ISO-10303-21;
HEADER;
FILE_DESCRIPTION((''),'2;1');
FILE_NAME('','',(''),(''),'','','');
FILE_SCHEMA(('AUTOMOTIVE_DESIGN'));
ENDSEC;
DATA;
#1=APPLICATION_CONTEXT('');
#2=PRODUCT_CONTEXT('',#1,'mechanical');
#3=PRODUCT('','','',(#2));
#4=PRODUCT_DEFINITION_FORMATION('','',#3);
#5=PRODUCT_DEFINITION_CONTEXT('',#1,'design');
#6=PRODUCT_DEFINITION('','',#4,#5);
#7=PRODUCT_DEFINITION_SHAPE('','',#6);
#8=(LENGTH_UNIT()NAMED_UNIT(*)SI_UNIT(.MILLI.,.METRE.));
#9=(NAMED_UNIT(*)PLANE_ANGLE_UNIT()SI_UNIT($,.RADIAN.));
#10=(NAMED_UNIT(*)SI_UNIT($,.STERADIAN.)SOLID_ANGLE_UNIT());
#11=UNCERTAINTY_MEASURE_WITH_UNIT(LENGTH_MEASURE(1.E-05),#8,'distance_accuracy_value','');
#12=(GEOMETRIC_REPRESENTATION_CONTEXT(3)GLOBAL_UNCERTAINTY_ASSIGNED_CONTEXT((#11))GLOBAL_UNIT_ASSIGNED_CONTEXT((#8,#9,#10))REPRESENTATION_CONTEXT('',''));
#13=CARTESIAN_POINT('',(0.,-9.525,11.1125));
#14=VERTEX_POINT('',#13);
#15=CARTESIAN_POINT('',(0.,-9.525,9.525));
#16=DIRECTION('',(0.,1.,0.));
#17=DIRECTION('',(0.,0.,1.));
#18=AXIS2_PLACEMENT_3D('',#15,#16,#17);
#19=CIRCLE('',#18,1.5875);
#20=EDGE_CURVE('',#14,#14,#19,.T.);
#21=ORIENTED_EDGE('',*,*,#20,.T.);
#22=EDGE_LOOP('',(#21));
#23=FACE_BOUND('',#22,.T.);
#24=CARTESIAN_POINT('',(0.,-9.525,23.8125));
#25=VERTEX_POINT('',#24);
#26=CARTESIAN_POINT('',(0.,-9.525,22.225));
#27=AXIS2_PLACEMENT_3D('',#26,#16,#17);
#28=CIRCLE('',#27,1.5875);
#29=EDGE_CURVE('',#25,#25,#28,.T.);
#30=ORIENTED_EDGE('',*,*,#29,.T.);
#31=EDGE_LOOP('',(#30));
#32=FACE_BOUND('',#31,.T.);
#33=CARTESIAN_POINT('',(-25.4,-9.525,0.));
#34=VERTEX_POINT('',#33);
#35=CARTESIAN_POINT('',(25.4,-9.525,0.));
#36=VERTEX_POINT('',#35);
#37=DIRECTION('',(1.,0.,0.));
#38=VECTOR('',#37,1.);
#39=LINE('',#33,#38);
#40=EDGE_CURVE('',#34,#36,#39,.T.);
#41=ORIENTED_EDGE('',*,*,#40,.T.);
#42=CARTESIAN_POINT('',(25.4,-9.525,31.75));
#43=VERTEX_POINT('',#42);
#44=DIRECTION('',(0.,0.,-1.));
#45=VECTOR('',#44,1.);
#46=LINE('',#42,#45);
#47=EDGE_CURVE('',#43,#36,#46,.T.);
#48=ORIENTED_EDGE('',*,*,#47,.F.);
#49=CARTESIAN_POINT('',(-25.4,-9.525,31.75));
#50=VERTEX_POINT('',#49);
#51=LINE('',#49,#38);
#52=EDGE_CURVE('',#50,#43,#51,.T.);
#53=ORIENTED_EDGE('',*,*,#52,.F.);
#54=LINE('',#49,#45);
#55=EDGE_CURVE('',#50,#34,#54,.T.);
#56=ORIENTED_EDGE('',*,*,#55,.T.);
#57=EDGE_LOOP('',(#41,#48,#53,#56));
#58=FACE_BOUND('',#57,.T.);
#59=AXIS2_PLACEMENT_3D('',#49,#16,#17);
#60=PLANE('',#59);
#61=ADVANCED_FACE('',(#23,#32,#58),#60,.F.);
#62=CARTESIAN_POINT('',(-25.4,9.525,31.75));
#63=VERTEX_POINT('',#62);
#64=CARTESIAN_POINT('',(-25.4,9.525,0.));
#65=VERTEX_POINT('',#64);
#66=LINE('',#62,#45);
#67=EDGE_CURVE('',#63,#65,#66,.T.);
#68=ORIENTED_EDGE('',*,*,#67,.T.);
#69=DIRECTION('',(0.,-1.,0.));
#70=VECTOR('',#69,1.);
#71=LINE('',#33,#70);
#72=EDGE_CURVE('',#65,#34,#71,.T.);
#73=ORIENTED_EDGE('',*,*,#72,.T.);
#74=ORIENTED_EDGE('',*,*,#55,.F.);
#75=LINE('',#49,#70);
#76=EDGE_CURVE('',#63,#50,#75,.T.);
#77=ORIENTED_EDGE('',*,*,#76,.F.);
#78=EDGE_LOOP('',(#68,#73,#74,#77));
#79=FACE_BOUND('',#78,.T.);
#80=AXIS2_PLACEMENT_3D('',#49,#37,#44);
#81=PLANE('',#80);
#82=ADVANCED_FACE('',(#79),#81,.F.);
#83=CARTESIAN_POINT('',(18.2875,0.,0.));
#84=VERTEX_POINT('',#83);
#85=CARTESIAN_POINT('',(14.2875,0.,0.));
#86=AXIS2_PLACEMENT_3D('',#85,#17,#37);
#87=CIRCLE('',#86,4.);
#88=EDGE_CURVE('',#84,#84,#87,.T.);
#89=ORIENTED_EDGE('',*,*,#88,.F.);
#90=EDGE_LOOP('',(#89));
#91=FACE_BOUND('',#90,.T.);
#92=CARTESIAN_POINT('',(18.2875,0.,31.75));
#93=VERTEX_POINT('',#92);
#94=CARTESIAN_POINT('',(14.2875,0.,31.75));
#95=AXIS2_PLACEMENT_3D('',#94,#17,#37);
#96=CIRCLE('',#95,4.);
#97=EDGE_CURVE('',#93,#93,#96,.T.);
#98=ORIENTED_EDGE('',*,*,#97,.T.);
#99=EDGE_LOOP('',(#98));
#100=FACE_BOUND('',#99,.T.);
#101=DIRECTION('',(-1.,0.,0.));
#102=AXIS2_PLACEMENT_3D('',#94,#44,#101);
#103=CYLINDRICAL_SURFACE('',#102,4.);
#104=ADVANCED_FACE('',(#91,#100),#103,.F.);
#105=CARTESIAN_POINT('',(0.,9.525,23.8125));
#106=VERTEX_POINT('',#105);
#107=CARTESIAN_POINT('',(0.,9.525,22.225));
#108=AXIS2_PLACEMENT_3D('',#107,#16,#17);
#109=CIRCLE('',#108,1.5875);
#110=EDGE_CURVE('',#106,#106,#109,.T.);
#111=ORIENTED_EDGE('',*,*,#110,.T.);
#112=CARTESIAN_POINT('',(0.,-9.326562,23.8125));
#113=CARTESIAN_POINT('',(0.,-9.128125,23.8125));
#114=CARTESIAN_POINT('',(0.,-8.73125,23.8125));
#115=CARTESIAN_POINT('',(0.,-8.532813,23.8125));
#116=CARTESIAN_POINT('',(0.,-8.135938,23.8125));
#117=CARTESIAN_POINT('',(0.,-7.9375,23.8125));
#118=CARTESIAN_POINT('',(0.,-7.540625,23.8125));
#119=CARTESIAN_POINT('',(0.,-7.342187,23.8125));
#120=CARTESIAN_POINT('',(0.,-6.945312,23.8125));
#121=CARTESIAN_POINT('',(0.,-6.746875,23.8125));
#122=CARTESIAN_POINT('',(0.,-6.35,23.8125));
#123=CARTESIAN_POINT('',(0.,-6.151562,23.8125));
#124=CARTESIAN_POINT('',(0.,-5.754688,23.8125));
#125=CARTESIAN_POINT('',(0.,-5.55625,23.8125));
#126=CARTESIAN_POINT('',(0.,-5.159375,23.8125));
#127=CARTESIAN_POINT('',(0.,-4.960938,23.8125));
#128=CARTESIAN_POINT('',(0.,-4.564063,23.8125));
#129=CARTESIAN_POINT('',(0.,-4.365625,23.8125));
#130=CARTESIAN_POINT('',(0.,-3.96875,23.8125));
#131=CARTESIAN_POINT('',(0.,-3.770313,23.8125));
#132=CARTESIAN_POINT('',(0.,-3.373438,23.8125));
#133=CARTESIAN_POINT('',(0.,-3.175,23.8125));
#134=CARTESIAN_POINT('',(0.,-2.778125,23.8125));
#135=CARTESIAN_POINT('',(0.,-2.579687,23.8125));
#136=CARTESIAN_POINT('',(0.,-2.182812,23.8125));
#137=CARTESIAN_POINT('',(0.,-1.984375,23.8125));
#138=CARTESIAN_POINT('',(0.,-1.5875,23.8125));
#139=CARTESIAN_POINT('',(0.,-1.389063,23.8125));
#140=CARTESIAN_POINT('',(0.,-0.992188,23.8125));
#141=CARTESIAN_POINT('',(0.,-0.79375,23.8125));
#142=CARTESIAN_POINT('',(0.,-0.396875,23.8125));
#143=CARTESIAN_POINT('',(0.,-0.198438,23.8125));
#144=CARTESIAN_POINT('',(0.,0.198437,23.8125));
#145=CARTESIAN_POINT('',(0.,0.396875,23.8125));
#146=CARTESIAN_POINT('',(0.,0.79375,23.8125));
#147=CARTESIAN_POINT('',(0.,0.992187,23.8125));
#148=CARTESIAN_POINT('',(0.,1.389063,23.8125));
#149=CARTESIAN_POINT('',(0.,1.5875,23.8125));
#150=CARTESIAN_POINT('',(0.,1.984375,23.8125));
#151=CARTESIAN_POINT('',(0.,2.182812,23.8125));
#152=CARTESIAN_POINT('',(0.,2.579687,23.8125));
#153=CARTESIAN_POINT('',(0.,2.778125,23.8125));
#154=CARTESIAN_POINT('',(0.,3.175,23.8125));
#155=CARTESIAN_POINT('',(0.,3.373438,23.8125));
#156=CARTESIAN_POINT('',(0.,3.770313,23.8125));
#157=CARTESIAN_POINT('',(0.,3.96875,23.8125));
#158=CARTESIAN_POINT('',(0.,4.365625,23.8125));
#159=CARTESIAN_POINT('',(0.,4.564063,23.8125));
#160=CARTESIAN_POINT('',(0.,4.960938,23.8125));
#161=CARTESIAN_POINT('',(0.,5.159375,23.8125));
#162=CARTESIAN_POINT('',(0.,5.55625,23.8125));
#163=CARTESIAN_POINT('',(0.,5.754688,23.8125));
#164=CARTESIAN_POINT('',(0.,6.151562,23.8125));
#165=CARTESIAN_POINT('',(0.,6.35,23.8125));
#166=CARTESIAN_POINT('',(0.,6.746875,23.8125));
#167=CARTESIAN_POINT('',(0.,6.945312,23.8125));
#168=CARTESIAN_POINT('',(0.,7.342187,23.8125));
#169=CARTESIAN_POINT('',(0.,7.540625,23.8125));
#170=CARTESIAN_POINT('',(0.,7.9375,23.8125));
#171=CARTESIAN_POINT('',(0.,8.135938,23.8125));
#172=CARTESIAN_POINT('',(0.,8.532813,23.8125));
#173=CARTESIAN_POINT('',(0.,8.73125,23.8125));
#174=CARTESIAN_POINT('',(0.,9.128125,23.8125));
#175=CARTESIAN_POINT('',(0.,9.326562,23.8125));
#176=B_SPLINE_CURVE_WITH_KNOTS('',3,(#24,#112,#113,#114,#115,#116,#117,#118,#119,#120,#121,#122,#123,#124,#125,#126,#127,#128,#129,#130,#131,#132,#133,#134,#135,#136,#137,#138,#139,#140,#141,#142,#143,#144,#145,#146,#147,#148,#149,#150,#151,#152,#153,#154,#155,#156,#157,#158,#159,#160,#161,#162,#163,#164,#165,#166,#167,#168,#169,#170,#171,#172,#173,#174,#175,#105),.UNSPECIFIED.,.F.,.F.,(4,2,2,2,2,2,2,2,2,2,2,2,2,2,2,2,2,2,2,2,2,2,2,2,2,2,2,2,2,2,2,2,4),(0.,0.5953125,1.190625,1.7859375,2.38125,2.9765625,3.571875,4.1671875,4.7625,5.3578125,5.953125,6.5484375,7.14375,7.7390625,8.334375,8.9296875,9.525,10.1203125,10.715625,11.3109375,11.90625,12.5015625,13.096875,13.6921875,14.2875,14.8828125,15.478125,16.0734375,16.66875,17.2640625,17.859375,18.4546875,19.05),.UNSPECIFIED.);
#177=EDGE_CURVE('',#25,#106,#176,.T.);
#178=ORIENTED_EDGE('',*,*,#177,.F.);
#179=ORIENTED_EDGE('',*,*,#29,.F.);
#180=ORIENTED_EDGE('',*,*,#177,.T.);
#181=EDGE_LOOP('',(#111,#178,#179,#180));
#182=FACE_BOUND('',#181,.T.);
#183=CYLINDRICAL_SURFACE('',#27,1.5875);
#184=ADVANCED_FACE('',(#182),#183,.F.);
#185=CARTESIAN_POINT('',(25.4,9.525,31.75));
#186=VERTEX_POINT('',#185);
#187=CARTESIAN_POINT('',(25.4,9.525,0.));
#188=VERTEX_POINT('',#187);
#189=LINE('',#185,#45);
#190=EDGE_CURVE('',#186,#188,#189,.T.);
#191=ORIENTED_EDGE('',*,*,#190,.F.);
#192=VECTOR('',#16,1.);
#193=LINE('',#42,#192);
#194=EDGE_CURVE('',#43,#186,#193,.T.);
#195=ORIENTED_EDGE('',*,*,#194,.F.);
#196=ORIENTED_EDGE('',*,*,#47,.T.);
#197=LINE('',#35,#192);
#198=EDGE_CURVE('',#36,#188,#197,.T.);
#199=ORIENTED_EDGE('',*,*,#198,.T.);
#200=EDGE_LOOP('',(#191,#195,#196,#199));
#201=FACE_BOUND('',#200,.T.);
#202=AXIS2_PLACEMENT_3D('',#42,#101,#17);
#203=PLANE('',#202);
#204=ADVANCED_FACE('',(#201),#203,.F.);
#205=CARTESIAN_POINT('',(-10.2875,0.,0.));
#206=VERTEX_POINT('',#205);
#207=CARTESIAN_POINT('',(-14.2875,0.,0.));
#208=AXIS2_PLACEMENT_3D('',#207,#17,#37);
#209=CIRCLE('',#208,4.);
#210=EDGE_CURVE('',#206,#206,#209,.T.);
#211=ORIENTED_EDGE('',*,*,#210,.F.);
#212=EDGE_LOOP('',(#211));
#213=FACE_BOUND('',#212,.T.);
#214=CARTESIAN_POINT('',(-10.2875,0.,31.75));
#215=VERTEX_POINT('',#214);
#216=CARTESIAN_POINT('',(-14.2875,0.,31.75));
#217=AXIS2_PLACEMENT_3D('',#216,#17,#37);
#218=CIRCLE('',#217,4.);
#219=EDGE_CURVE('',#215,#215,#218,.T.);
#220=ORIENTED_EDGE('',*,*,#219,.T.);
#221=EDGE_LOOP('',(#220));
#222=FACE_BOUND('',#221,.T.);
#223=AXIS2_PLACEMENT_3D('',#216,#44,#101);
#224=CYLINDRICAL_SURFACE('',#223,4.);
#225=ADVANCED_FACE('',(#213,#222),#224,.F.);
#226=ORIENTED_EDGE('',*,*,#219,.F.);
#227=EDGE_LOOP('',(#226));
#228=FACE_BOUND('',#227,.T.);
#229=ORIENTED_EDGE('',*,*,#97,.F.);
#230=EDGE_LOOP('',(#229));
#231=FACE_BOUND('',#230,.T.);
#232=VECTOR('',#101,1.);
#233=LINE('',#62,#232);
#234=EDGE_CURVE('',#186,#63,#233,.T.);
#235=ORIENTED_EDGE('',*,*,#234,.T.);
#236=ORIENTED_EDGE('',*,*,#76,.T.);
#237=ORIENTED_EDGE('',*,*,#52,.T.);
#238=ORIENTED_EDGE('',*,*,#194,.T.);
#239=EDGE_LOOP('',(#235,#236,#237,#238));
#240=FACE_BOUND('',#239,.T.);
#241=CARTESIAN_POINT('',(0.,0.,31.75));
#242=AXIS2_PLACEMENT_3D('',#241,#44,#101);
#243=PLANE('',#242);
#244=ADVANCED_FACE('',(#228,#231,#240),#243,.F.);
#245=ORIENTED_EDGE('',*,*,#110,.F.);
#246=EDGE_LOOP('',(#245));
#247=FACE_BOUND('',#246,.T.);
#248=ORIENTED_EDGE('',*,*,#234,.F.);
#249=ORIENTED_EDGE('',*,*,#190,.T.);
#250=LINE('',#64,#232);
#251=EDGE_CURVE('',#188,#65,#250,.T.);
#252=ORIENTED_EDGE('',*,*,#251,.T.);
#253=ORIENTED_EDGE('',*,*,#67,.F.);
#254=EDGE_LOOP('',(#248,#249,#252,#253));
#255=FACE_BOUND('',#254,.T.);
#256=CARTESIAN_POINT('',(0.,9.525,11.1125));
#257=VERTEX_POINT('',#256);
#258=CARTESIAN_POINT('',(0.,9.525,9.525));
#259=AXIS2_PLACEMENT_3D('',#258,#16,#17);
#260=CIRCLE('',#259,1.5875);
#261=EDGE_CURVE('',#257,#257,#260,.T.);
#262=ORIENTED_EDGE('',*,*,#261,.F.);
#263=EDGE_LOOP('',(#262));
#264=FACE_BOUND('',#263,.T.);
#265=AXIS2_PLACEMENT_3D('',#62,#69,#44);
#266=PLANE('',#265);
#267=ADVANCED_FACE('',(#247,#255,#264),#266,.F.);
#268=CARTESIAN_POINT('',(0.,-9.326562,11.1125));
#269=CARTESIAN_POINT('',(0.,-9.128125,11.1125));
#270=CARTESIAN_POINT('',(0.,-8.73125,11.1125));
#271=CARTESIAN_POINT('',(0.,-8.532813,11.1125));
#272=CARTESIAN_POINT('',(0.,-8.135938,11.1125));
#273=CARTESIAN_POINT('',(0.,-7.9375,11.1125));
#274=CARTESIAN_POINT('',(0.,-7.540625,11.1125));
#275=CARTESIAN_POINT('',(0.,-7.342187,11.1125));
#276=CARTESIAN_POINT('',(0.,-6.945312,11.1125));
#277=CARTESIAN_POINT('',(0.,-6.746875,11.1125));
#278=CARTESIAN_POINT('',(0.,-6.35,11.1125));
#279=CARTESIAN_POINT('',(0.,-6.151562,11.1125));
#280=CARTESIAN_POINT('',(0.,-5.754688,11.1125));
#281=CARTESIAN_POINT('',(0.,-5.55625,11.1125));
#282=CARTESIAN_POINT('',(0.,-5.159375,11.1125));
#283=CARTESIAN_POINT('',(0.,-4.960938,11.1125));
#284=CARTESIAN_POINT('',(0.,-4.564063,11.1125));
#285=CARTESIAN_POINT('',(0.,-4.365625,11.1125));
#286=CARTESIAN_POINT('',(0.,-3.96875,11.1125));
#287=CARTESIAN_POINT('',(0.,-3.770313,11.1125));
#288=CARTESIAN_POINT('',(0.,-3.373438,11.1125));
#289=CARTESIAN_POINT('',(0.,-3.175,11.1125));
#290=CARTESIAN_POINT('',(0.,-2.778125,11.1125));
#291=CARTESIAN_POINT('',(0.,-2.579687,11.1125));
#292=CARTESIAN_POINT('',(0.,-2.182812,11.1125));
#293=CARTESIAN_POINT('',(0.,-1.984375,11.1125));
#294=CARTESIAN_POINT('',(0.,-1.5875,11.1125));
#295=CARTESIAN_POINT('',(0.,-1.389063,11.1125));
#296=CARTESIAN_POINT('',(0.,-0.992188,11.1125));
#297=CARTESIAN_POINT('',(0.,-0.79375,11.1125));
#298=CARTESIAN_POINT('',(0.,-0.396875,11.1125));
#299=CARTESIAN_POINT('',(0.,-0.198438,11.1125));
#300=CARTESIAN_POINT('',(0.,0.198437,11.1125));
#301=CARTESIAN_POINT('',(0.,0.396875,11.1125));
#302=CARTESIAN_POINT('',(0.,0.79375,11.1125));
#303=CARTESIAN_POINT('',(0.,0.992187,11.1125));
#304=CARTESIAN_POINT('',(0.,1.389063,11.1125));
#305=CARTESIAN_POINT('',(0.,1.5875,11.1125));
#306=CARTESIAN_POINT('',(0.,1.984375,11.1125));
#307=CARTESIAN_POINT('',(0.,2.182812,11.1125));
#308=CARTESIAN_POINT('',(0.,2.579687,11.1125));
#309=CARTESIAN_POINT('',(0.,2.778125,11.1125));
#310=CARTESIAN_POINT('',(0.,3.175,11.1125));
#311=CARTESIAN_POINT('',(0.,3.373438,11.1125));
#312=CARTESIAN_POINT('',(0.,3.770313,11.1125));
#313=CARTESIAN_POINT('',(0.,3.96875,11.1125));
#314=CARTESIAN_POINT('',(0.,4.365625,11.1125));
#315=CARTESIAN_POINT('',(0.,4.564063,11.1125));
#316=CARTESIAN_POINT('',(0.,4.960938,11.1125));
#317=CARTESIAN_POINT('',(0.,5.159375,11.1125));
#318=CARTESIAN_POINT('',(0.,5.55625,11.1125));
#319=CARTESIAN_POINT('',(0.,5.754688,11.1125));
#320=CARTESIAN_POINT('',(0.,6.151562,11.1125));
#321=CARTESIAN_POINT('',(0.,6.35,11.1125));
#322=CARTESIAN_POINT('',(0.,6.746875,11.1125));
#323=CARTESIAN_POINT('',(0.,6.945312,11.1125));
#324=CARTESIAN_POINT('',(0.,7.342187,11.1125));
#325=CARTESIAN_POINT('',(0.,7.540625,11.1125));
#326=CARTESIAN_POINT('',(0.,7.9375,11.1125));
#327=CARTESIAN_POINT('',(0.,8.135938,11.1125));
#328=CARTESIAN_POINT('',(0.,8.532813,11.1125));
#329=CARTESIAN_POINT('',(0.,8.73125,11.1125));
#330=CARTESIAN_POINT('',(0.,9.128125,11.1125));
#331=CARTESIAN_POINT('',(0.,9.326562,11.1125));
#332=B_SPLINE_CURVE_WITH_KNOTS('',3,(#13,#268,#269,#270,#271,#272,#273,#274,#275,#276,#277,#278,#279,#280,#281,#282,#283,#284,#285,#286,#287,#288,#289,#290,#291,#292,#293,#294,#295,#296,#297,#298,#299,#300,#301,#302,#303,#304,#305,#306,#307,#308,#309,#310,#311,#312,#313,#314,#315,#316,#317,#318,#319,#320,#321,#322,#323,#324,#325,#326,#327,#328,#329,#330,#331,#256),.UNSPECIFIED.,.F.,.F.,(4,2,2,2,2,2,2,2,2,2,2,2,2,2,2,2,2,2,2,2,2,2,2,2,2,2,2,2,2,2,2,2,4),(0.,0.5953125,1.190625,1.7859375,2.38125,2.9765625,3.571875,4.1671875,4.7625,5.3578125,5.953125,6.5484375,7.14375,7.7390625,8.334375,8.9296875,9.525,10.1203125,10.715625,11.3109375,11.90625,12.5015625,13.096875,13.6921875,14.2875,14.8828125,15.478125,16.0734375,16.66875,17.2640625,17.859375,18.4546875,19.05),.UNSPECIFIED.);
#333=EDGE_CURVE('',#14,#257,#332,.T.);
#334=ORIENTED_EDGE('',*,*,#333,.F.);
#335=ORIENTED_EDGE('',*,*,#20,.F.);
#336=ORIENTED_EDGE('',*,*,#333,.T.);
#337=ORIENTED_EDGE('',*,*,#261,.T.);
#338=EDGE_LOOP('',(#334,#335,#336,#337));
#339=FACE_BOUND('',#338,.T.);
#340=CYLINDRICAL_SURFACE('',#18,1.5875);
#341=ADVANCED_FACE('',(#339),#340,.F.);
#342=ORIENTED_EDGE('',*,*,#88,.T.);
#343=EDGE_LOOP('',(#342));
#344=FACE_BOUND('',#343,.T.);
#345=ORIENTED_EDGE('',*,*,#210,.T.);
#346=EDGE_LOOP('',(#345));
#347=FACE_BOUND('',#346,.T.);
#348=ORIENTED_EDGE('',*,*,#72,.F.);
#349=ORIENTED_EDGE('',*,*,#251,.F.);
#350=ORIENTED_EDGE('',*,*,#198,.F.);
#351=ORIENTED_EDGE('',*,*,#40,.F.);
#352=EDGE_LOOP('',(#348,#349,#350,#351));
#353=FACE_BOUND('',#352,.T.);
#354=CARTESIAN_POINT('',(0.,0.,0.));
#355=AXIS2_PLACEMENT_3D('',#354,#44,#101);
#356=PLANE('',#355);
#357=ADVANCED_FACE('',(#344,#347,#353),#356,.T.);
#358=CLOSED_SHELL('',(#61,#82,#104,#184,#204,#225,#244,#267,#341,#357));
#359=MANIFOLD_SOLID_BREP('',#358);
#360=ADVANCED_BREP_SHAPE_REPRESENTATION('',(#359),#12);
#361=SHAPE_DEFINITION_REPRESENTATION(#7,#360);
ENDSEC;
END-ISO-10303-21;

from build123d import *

# Parameters (mm, degrees)
SKETCH1_W           = 50.8
SKETCH1_H           = 19.05
SKETCH1_R           = 4
BOSS_EXTRUDE1_DEPTH = 31.75
SKETCH2_R           = 1.5875
CUT_EXTRUDE1_DEPTH  = 45.901280605


with BuildPart() as part:
    # Sketch1 → Boss-Extrude1 (new body)
    with BuildSketch(Plane.XY):
        Rectangle(SKETCH1_W, SKETCH1_H)
        with Locations((-14.2875, 0)):
            Circle(SKETCH1_R, mode=Mode.SUBTRACT)
        with Locations((14.2875, 0)):
            Circle(SKETCH1_R, mode=Mode.SUBTRACT)
    extrude(amount=BOSS_EXTRUDE1_DEPTH)

    # Sketch2 → Cut-Extrude1 (cut, through all)
    with BuildSketch(Plane(origin=(0, 9.525, 0), x_dir=(1, 0, 0), z_dir=(0, 1, 0))):
        with Locations(Location((0, -9.525, 0), (0, 0, 270))):
            Circle(SKETCH2_R)
        with Locations(Location((0, -22.225, 0), (0, 0, 270))):
            Circle(SKETCH2_R)
    extrude(amount=-CUT_EXTRUDE1_DEPTH, mode=Mode.SUBTRACT)


solid = part.part
